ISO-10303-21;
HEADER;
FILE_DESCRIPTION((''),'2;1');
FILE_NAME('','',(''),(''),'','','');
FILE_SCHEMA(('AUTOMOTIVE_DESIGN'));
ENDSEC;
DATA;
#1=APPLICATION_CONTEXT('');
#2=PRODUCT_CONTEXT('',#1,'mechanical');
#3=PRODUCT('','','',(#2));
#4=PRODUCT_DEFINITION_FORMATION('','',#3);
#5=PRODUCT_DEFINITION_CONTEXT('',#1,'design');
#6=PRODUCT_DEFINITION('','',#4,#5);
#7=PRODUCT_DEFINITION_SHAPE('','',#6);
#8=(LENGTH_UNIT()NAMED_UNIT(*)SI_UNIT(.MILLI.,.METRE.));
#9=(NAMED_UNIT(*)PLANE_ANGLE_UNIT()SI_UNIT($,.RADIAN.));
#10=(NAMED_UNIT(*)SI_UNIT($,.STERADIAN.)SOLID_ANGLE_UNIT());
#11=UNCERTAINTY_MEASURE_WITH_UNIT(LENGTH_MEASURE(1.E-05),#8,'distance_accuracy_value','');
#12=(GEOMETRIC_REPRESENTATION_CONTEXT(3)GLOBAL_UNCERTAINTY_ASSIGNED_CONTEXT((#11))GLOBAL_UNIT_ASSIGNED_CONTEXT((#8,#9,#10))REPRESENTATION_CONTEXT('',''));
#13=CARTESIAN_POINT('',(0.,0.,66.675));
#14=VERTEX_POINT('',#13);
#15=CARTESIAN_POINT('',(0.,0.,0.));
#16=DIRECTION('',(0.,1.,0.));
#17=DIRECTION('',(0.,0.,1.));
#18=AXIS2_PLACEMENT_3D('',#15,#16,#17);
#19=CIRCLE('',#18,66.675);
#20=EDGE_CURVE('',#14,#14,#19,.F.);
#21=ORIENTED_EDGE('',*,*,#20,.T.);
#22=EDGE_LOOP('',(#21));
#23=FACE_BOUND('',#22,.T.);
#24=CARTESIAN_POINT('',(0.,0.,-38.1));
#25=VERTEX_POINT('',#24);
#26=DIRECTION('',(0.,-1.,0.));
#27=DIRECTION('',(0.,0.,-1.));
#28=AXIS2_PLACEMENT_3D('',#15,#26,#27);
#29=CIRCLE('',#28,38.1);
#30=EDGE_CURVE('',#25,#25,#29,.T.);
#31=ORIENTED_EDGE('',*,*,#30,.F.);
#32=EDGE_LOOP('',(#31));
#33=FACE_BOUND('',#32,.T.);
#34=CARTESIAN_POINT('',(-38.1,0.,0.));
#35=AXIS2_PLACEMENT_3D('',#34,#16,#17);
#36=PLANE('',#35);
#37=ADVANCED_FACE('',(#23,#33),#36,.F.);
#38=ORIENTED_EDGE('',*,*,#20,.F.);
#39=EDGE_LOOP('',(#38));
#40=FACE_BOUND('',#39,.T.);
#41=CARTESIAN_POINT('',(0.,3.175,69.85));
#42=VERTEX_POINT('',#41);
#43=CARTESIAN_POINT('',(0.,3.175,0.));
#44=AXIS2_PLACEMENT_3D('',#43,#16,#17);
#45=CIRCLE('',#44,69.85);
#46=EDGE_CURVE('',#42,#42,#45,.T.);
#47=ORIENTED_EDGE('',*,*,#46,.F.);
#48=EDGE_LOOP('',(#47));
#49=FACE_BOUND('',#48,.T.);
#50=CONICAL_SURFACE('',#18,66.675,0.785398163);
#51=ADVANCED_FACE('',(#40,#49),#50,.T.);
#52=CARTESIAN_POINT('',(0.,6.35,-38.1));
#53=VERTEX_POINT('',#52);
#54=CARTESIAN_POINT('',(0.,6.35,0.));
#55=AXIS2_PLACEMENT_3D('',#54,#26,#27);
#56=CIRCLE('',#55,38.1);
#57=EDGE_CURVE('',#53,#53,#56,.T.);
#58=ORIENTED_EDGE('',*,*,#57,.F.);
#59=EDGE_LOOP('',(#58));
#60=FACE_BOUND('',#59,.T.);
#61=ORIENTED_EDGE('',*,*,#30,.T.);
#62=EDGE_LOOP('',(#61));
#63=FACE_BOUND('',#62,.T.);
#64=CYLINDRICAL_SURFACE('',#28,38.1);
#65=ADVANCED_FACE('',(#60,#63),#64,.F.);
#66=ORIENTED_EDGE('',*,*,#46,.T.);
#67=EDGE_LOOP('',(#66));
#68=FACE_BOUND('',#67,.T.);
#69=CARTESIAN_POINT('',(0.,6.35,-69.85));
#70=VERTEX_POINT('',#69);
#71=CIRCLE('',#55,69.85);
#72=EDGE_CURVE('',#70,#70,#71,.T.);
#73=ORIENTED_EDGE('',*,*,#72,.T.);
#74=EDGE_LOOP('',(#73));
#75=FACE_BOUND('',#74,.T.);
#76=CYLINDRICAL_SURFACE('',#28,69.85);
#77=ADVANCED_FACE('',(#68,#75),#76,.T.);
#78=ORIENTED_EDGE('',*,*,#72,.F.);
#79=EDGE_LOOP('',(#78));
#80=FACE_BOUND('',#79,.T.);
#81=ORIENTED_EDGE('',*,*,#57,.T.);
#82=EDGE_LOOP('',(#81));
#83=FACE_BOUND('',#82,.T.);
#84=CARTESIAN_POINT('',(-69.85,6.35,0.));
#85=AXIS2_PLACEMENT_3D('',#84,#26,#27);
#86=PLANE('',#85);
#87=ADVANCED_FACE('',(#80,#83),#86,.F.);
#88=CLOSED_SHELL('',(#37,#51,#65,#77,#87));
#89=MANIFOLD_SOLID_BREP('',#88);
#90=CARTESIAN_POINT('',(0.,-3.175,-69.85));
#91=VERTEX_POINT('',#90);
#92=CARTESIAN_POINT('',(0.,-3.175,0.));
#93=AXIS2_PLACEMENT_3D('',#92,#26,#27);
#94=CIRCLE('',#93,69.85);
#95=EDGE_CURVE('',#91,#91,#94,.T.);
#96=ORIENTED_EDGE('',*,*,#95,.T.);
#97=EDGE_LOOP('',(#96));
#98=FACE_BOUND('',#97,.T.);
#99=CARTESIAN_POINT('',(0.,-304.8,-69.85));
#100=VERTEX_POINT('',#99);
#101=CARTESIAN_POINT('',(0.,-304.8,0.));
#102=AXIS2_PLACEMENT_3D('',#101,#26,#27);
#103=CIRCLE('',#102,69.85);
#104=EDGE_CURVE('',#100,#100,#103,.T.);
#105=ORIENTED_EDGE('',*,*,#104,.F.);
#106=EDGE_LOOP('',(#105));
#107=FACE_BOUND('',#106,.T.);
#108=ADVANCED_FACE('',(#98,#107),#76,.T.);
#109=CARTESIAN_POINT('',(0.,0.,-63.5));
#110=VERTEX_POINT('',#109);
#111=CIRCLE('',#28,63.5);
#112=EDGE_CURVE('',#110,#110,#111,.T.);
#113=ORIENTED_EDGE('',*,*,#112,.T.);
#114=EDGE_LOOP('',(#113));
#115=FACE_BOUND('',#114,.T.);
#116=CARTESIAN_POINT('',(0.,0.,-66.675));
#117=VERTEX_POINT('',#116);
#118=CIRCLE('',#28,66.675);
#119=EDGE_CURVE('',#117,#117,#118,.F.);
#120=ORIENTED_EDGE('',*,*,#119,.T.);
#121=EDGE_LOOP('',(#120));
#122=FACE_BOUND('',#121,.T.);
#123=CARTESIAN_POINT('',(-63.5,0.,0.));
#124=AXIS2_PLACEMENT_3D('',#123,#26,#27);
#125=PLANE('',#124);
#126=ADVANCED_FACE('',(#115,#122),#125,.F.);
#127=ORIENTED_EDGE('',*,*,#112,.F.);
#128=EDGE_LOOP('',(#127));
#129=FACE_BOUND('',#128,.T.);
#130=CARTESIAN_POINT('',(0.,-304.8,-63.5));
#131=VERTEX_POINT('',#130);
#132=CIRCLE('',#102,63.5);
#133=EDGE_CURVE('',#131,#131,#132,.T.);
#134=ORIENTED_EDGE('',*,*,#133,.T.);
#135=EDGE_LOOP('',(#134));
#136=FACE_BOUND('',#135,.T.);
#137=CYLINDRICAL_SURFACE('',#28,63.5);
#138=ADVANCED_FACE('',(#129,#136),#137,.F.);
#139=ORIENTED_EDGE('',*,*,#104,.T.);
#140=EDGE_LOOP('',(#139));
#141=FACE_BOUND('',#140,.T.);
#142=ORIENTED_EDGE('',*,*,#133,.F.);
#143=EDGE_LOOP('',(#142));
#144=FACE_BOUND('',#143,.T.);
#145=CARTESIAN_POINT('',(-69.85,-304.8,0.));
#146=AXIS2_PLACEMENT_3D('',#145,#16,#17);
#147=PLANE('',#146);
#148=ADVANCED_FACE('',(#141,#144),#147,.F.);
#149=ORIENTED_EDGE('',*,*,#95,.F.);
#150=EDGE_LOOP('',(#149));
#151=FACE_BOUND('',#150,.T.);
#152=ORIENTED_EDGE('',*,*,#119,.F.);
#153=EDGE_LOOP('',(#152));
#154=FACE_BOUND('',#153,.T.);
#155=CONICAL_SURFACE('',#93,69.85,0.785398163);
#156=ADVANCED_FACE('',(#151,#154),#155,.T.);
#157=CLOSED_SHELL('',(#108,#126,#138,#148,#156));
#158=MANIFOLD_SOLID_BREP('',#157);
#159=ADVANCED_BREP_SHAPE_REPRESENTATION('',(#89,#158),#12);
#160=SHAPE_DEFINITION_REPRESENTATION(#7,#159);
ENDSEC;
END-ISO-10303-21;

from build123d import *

# Parameters (mm, degrees)
SKETCH1_W     = 6.35
SKETCH1_H     = 304.8
SKETCH2_W     = 31.75
SKETCH2_H     = 6.35
CHAMFER1_SIZE = 3.175
CHAMFER2_SIZE = 3.175


with BuildPart() as part:
    # Sketch1 → Revolve1 (revolve)
    with BuildSketch(Plane.XY):
        with Locations((-66.675, -152.4)):
            Rectangle(SKETCH1_W, SKETCH1_H)
    revolve(axis=Axis((0, 0, 0), (0, 1, 0)))

    # Chamfer1
    chamfer1_edges = [part.edges().sort_by_distance(p)[0] for p in [
        (69.85, 0, 0),
    ]]
    chamfer(chamfer1_edges, length=CHAMFER1_SIZE)


with BuildPart() as body_2:
    # Sketch2 → Revolve2 (revolve)
    with BuildSketch(Plane.XY):
        with Locations((-53.975, 3.175)):
            Rectangle(SKETCH2_W, SKETCH2_H)
    revolve(axis=Axis((0, 0, 0), (0, 1, 0)))

    # Chamfer2
    chamfer2_edges = [body_2.edges().sort_by_distance(p)[0] for p in [
        (69.85, 0, 0),
    ]]
    chamfer(chamfer2_edges, length=CHAMFER2_SIZE)


solid = Compound([part.part, body_2.part])
